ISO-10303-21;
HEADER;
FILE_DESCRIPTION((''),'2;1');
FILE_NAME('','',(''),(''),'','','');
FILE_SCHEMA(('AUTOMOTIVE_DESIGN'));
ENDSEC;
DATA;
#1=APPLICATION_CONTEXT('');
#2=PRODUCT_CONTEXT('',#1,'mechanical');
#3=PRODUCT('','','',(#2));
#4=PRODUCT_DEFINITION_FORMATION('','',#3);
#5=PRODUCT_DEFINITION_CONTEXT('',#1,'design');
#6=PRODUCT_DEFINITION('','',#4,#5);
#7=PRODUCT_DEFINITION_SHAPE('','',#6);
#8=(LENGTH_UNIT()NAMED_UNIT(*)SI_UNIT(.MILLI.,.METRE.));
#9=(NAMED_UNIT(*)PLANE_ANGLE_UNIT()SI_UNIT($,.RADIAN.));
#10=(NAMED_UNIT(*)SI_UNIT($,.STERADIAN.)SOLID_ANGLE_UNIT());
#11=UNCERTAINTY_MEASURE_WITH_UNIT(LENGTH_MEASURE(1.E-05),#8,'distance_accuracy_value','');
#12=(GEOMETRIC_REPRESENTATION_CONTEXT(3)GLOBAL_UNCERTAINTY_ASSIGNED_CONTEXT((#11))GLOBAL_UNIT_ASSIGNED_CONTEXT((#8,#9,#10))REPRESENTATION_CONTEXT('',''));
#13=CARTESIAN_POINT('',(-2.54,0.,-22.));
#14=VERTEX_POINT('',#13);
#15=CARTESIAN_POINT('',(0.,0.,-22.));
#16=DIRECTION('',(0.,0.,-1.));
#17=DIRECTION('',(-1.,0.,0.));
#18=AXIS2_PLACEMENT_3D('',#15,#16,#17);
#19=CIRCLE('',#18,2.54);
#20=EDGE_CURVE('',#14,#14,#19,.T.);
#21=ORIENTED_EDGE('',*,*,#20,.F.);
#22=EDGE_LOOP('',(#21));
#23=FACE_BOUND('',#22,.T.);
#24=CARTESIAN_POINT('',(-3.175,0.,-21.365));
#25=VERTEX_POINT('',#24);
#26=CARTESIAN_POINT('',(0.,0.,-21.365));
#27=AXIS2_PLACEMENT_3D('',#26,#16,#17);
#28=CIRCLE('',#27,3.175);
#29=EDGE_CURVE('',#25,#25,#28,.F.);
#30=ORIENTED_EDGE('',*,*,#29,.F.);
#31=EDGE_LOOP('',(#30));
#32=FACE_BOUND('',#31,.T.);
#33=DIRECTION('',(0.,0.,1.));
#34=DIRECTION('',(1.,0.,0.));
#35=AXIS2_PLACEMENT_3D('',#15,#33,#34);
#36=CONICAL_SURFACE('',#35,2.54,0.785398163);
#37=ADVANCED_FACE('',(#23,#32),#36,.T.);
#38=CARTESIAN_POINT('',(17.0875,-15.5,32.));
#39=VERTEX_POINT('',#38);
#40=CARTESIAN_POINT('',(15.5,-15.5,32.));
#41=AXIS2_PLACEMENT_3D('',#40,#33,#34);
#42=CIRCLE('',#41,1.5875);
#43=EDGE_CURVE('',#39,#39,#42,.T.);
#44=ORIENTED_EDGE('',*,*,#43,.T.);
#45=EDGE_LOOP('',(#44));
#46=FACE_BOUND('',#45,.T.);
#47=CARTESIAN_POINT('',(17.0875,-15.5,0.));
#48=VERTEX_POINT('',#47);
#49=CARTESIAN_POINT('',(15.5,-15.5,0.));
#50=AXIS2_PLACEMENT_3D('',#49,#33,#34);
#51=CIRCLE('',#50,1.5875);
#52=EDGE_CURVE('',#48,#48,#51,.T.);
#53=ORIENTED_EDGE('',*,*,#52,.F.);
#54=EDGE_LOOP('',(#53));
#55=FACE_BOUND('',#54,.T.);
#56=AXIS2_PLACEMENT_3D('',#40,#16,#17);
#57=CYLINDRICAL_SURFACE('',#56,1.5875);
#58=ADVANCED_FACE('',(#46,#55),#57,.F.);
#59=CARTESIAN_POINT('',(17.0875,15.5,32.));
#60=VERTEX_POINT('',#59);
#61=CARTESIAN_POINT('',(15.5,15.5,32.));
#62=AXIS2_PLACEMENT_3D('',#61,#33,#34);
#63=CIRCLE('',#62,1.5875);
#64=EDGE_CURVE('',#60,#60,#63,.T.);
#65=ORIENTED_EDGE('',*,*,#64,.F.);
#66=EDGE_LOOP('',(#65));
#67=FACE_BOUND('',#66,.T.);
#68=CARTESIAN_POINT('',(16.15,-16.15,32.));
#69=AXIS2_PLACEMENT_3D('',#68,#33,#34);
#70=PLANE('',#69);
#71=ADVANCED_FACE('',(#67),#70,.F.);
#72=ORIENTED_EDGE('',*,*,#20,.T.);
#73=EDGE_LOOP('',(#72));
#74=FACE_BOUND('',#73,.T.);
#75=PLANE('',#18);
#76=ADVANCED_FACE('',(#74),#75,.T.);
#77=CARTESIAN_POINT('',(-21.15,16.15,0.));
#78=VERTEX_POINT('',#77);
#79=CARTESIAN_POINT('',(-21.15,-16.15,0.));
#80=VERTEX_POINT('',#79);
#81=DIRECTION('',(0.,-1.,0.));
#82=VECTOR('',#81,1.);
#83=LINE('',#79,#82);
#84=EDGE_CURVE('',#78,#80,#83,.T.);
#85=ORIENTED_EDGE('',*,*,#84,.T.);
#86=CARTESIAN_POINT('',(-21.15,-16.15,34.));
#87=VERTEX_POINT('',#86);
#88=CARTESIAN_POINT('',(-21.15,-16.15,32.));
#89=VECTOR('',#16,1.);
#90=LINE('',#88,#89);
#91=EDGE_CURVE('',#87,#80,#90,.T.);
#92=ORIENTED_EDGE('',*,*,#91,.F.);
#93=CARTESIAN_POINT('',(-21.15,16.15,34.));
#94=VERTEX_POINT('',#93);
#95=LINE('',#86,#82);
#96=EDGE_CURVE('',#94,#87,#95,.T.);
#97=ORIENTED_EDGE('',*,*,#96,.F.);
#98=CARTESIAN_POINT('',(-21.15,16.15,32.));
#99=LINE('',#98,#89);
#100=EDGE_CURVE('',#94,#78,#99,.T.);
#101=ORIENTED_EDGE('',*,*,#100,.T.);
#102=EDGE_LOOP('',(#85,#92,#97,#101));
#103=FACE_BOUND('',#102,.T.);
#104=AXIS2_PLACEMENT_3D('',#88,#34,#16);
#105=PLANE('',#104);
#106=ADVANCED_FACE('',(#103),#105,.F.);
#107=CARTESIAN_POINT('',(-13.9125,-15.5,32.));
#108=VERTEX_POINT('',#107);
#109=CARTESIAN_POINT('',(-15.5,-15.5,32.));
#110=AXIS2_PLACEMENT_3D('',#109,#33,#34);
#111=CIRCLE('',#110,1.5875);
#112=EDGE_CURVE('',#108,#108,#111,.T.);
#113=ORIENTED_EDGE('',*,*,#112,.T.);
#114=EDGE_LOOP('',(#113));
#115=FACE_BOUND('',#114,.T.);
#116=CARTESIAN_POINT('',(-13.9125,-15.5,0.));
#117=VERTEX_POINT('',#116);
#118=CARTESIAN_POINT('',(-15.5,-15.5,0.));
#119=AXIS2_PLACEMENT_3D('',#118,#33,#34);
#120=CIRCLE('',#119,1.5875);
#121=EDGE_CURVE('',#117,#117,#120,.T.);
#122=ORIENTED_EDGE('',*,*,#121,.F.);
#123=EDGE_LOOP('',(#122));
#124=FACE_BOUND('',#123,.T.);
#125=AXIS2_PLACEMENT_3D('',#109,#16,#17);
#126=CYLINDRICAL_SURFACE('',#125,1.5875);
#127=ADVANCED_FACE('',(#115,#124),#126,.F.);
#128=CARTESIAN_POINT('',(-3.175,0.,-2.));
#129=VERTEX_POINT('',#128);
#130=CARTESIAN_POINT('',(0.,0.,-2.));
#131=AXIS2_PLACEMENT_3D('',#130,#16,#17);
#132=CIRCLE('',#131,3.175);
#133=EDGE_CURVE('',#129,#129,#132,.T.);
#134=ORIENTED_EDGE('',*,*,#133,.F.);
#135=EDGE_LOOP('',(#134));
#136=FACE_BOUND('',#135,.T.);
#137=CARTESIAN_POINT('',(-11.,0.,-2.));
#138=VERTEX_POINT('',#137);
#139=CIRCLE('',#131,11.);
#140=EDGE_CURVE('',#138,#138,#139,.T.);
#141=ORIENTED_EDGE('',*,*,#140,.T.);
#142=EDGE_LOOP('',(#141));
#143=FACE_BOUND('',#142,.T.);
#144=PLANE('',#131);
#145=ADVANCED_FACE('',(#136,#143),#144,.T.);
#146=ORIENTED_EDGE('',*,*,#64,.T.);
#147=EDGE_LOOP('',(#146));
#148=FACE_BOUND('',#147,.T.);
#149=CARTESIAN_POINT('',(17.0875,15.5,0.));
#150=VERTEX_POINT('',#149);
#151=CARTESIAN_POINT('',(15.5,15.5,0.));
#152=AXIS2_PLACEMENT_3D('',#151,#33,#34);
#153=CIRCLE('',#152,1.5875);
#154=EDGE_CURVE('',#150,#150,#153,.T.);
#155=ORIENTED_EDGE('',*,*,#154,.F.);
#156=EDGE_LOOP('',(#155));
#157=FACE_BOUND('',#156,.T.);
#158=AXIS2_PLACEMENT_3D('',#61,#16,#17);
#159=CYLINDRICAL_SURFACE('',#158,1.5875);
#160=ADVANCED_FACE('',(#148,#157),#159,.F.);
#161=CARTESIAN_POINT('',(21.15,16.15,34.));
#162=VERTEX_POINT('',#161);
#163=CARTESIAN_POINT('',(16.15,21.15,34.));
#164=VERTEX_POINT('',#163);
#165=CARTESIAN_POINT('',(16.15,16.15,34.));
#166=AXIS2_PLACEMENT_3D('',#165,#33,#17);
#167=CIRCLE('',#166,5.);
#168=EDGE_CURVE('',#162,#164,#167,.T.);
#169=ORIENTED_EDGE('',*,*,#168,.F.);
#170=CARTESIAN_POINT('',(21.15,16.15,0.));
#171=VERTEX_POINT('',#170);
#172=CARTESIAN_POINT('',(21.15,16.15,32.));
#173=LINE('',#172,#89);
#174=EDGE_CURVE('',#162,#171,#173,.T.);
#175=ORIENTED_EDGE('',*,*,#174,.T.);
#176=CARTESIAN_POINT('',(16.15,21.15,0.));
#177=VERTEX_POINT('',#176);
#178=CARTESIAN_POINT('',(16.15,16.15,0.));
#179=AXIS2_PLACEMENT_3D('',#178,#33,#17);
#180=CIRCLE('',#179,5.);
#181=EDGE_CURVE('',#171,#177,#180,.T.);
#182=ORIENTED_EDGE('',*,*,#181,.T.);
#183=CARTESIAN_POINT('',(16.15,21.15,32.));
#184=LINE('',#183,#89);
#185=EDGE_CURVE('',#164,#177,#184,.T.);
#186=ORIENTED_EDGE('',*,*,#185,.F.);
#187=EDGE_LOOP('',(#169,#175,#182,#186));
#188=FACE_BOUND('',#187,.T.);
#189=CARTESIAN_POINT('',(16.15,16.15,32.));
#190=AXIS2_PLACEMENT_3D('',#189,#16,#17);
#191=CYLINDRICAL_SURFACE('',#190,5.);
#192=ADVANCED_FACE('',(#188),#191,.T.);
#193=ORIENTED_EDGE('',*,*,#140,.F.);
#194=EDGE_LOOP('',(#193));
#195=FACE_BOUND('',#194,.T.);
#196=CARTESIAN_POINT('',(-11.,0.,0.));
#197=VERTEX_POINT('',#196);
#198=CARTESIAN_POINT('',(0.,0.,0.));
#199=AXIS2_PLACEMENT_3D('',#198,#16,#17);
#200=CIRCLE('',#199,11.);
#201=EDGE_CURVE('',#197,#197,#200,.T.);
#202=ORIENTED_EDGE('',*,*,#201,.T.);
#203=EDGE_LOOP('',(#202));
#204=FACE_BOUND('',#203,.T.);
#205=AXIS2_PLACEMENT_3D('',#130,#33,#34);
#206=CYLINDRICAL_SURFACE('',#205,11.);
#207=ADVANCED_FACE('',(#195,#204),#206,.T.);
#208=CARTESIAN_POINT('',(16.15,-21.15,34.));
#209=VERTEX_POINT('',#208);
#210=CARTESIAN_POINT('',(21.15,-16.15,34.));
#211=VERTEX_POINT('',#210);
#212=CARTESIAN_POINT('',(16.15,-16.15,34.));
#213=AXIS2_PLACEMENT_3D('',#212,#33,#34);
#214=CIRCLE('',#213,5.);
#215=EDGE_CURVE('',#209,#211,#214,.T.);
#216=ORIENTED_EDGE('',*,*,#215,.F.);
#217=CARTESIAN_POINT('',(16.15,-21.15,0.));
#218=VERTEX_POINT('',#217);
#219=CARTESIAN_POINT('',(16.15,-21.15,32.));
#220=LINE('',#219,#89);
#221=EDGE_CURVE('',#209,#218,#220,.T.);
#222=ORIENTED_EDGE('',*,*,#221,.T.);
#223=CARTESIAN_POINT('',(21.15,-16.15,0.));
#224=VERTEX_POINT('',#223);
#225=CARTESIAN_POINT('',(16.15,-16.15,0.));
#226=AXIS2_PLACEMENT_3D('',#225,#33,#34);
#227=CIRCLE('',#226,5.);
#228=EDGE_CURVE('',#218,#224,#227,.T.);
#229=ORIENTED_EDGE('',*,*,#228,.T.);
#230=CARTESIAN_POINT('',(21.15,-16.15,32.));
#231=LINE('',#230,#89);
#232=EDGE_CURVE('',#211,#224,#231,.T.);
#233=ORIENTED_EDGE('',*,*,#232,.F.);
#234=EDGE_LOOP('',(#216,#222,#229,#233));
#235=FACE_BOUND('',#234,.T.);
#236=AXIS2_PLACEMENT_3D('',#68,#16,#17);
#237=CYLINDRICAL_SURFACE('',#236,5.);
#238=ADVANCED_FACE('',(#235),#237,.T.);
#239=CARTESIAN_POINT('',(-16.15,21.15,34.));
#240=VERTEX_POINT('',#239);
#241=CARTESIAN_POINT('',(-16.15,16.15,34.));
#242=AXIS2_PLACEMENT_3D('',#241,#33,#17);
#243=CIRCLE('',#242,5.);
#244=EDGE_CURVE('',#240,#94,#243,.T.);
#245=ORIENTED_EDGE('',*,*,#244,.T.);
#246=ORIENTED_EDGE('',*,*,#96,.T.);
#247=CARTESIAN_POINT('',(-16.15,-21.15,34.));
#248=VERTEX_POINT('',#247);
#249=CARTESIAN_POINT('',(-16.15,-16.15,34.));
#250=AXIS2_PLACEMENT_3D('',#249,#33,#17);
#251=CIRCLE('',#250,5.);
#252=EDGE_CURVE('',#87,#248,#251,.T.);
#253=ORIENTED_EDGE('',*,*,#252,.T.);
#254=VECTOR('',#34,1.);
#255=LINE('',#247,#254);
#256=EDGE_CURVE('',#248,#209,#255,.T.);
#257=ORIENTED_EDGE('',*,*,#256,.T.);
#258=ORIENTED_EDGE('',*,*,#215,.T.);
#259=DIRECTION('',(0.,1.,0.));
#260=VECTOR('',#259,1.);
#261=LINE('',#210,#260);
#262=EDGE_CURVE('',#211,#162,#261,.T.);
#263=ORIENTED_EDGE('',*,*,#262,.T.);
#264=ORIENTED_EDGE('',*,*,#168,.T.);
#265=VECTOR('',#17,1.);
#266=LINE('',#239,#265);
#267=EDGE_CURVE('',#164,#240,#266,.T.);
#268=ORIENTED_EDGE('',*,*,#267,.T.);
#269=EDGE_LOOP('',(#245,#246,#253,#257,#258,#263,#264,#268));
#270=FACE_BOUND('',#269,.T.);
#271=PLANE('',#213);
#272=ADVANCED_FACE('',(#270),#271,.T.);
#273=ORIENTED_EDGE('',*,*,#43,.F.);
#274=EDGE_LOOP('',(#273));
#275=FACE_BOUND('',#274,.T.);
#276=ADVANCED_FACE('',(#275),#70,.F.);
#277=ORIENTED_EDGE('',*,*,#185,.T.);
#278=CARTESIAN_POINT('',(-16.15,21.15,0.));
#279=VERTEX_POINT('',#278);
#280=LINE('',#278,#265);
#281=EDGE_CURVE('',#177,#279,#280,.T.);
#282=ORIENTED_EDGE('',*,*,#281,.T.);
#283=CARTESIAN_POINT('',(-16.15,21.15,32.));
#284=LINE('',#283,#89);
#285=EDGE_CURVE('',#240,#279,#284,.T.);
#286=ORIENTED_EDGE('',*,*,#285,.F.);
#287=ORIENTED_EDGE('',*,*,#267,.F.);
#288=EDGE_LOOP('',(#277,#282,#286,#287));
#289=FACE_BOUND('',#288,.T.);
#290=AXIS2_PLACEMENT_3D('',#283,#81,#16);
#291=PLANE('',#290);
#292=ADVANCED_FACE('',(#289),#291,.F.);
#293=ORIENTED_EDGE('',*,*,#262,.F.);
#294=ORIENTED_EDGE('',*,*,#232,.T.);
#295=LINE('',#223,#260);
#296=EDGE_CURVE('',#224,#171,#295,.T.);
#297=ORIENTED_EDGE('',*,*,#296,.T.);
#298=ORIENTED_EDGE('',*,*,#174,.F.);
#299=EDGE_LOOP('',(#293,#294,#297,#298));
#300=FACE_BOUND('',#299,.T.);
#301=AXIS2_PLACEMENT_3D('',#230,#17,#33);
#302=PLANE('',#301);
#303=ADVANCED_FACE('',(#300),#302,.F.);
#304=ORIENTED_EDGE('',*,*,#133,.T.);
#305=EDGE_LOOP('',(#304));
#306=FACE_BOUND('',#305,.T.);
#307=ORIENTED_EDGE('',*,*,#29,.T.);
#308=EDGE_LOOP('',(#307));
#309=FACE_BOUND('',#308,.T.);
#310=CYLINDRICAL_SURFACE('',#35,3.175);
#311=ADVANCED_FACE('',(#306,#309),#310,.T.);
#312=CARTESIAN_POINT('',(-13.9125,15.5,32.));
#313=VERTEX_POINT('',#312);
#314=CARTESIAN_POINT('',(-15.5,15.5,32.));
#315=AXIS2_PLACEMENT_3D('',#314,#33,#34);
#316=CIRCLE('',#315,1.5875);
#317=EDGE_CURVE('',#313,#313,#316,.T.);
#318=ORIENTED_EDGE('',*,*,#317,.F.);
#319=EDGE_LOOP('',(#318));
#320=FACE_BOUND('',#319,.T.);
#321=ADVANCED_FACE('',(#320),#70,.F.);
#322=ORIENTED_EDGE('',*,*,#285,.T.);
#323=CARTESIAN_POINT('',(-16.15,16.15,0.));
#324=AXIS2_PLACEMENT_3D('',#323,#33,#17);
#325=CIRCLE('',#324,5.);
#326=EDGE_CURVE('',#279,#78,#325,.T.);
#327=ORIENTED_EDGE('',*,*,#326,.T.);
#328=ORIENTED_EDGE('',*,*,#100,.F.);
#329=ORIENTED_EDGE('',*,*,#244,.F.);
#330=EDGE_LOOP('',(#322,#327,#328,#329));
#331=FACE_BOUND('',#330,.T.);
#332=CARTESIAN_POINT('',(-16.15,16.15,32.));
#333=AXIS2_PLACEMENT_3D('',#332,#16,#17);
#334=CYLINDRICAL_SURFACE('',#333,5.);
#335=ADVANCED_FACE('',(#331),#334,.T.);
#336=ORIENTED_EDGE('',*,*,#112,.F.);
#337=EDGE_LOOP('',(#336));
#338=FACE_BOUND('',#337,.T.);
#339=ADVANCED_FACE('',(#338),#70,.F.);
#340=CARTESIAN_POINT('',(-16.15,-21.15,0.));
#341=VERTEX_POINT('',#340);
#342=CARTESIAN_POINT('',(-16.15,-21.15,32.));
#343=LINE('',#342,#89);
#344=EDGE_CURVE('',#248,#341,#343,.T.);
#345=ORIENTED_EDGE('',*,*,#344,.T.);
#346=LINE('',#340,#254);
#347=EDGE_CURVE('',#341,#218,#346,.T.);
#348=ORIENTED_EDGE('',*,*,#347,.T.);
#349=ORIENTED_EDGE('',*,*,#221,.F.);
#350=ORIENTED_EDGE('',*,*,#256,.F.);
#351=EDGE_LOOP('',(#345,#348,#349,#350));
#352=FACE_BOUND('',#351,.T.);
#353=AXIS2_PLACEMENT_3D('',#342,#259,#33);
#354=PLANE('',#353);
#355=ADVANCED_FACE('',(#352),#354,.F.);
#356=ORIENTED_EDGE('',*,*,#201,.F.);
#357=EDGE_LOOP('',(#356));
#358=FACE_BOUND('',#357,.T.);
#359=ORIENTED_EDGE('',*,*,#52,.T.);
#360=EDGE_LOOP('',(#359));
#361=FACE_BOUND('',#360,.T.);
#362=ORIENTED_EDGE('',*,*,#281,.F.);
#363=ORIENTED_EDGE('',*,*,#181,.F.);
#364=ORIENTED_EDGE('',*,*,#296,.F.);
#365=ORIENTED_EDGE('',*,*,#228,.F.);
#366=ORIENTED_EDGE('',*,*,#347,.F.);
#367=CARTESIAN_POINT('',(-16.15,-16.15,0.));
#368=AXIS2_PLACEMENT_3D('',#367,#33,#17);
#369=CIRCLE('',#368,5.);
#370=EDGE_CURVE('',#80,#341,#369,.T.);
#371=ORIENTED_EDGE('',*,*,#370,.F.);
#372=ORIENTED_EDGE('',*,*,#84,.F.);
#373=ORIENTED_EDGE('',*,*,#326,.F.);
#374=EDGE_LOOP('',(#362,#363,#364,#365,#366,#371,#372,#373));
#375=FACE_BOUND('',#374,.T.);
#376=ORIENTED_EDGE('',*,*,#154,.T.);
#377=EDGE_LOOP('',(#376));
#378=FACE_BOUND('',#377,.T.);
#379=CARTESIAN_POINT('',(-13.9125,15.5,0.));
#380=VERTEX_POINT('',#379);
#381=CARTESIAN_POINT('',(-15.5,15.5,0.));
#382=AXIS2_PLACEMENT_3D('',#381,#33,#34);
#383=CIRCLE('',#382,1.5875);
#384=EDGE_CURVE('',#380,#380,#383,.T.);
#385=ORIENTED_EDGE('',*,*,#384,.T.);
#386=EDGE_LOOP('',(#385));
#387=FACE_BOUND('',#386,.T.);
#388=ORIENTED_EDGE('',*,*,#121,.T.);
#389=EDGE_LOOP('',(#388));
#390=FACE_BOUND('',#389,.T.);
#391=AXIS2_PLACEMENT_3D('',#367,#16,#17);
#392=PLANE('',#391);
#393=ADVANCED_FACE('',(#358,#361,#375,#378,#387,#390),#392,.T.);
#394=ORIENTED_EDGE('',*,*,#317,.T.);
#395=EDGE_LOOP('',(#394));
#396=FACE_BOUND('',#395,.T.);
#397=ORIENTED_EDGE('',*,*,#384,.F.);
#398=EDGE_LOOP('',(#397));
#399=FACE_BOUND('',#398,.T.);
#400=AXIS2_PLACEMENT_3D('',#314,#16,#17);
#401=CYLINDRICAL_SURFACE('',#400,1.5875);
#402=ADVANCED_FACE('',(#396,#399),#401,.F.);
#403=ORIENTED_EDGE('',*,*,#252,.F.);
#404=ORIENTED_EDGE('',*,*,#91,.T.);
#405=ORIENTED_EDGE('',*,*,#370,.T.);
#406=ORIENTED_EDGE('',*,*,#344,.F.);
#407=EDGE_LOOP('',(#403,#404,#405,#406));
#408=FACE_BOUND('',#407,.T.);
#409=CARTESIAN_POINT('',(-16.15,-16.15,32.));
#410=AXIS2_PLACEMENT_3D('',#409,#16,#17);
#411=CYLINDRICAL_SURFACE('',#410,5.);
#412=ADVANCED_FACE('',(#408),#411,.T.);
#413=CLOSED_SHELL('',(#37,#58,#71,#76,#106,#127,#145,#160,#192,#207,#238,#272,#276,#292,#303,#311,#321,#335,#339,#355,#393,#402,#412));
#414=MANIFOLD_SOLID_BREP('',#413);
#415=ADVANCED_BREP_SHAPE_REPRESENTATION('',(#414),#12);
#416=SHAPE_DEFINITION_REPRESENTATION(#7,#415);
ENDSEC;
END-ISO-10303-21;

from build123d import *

# Parameters (mm, degrees)
SKETCH1_R           = 1.5875
BOSS_EXTRUDE1_DEPTH = 32
BOSS_EXTRUDE2_DEPTH = 2
SKETCH3_R           = 11
BOSS_EXTRUDE3_DEPTH = 2
SKETCH4_R           = 3.175
BOSS_EXTRUDE4_DEPTH = 20
CHAMFER1_SIZE       = 0.635


with BuildPart() as part:
    # Sketch1 → Boss-Extrude1 (new body)
    with BuildSketch(Plane.XY):
        with BuildLine():
            Line((-16.15, -21.15), (16.15, -21.15))
            ThreePointArc((16.15, -21.15), (19.685533906, -19.685533906), (21.15, -16.15))
            Line((21.15, -16.15), (21.15, 16.15))
            ThreePointArc((21.15, 16.15), (19.685533906, 19.685533906), (16.15, 21.15))
            Line((16.15, 21.15), (-16.15, 21.15))
            ThreePointArc((-16.15, 21.15), (-19.685533906, 19.685533906), (-21.15, 16.15))
            Line((-21.15, 16.15), (-21.15, -16.15))
            ThreePointArc((-21.15, -16.15), (-19.685533906, -19.685533906), (-16.15, -21.15))
        make_face()
        with Locations((15.5, 15.5)):
            Circle(SKETCH1_R, mode=Mode.SUBTRACT)
        with Locations((-15.5, 15.5)):
            Circle(SKETCH1_R, mode=Mode.SUBTRACT)
        with Locations((15.5, -15.5)):
            Circle(SKETCH1_R, mode=Mode.SUBTRACT)
        with Locations((-15.5, -15.5)):
            Circle(SKETCH1_R, mode=Mode.SUBTRACT)
    extrude(amount=BOSS_EXTRUDE1_DEPTH)

    # Sketch2 → Boss-Extrude2 (add)
    with BuildSketch(Plane.XY.offset(32)):
        with BuildLine():
            Line((-16.15, -21.15), (16.15, -21.15))
            ThreePointArc((16.15, -21.15), (19.685533906, -19.685533906), (21.15, -16.15))
            Line((21.15, -16.15), (21.15, 16.15))
            ThreePointArc((21.15, 16.15), (19.685533906, 19.685533906), (16.15, 21.15))
            Line((16.15, 21.15), (-16.15, 21.15))
            ThreePointArc((-16.15, 21.15), (-19.685533906, 19.685533906), (-21.15, 16.15))
            Line((-21.15, 16.15), (-21.15, -16.15))
            ThreePointArc((-21.15, -16.15), (-19.685533906, -19.685533906), (-16.15, -21.15))
        make_face()
    extrude(amount=BOSS_EXTRUDE2_DEPTH)

    # Sketch3 → Boss-Extrude3 (add)
    with BuildSketch(Plane(origin=(0, 0, 0), x_dir=(-1, 0, 0), z_dir=(0, 0, -1))):
        Circle(SKETCH3_R)
    extrude(amount=BOSS_EXTRUDE3_DEPTH)

    # Sketch4 → Boss-Extrude4 (add)
    with BuildSketch(Plane(origin=(0, 0, -2), x_dir=(-1, 0, 0), z_dir=(0, 0, -1))):
        Circle(SKETCH4_R)
    extrude(amount=BOSS_EXTRUDE4_DEPTH)

    # Chamfer1
    chamfer1_edges = [part.edges().sort_by_distance(p)[0] for p in [
        (3.175, 0, -22),
    ]]
    chamfer(chamfer1_edges, length=CHAMFER1_SIZE)


solid = part.part
